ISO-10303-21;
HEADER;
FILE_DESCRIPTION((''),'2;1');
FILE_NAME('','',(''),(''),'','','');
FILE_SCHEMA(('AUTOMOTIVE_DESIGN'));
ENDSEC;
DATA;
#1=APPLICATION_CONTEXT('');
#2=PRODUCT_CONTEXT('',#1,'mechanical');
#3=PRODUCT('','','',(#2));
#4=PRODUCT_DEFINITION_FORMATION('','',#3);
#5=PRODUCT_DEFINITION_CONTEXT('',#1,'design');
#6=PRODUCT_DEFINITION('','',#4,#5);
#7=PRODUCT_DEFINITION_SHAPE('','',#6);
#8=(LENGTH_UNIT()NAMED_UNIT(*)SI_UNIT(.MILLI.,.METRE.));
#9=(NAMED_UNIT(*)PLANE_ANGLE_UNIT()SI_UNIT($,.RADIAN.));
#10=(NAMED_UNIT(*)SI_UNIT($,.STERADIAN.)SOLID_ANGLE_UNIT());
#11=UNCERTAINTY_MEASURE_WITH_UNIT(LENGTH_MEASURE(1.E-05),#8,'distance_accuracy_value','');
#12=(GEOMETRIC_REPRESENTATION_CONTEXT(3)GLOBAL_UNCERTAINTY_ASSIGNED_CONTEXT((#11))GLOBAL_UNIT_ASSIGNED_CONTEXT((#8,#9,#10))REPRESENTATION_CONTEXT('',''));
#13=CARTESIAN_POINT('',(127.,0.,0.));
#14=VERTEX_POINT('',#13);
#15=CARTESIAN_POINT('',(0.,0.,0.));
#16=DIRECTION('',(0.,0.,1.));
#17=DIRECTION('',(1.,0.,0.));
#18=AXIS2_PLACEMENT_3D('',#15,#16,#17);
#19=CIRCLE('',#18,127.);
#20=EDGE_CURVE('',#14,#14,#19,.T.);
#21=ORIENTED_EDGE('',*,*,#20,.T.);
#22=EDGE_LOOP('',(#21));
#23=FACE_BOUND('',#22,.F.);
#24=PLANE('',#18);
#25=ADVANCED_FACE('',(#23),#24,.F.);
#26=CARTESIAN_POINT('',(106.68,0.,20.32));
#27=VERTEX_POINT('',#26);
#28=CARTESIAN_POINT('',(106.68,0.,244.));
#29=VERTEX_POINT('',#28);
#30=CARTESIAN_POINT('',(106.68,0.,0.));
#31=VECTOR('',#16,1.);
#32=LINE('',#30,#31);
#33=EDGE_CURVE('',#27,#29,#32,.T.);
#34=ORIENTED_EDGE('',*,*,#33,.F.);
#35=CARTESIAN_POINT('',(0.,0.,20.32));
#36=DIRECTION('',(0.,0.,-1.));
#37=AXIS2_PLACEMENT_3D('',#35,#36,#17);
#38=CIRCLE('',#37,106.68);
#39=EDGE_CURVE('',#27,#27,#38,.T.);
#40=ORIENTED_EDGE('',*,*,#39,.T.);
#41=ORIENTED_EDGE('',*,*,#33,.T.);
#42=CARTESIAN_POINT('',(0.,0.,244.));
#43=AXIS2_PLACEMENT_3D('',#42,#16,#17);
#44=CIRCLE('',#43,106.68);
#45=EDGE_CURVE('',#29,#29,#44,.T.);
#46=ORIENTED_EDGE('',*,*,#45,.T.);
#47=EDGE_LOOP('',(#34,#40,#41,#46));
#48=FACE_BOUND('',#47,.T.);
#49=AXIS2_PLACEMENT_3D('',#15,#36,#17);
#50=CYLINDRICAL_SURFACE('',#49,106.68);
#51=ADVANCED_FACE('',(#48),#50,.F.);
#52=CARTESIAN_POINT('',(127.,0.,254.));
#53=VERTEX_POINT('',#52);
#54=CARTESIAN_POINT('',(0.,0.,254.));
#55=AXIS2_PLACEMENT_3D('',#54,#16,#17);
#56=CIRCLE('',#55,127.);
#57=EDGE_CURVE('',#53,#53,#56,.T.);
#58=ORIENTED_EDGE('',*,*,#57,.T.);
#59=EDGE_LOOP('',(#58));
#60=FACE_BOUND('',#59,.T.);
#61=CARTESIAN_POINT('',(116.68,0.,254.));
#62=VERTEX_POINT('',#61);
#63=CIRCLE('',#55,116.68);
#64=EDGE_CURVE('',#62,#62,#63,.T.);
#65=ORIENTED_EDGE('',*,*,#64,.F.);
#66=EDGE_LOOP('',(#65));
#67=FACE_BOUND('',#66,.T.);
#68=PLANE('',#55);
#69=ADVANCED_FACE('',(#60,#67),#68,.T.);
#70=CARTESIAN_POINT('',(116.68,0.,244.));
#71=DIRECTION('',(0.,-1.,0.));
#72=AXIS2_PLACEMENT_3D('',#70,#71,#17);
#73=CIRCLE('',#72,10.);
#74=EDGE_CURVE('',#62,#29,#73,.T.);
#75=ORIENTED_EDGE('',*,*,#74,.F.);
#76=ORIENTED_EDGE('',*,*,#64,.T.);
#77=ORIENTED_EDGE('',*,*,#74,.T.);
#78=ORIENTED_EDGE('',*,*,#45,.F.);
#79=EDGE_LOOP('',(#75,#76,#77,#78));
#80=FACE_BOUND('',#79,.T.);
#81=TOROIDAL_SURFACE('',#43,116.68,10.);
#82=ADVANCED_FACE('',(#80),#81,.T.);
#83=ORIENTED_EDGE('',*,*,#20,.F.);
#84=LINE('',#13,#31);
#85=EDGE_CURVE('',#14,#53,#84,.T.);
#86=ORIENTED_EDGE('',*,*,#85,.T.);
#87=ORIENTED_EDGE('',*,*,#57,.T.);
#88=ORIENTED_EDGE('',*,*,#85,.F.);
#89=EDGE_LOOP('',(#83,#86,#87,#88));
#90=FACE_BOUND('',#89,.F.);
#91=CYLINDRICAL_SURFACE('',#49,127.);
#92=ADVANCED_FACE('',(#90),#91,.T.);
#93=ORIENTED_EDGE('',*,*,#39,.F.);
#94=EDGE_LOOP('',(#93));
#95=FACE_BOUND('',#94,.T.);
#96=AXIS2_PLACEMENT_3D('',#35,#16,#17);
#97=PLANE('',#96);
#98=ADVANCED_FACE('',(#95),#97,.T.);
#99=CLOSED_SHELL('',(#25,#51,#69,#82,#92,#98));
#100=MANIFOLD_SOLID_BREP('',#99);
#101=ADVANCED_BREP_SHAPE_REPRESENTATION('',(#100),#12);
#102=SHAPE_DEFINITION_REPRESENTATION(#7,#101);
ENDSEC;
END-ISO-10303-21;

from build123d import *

# Parameters (mm, degrees)
F3_R     = 127
F0_DEPTH = 254
F1_T     = -20.32
F2_R     = 10


with BuildPart() as f0:
    # F3 (on Top) → F0 (new body)
    with BuildSketch(Plane.XY):
        Circle(F3_R)
    extrude(amount=F0_DEPTH)

    # F1
    f1_openings = [f0.faces().sort_by_distance(p)[0] for p in [
        (0, 0, 254),
    ]]
    offset(amount=F1_T, openings=f1_openings)

    # F2
    f2_edges = [f0.edges().sort_by_distance(p)[0] for p in [
        (-106.68, 0, 254),
    ]]
    fillet(f2_edges, radius=F2_R)


solid = f0.part
